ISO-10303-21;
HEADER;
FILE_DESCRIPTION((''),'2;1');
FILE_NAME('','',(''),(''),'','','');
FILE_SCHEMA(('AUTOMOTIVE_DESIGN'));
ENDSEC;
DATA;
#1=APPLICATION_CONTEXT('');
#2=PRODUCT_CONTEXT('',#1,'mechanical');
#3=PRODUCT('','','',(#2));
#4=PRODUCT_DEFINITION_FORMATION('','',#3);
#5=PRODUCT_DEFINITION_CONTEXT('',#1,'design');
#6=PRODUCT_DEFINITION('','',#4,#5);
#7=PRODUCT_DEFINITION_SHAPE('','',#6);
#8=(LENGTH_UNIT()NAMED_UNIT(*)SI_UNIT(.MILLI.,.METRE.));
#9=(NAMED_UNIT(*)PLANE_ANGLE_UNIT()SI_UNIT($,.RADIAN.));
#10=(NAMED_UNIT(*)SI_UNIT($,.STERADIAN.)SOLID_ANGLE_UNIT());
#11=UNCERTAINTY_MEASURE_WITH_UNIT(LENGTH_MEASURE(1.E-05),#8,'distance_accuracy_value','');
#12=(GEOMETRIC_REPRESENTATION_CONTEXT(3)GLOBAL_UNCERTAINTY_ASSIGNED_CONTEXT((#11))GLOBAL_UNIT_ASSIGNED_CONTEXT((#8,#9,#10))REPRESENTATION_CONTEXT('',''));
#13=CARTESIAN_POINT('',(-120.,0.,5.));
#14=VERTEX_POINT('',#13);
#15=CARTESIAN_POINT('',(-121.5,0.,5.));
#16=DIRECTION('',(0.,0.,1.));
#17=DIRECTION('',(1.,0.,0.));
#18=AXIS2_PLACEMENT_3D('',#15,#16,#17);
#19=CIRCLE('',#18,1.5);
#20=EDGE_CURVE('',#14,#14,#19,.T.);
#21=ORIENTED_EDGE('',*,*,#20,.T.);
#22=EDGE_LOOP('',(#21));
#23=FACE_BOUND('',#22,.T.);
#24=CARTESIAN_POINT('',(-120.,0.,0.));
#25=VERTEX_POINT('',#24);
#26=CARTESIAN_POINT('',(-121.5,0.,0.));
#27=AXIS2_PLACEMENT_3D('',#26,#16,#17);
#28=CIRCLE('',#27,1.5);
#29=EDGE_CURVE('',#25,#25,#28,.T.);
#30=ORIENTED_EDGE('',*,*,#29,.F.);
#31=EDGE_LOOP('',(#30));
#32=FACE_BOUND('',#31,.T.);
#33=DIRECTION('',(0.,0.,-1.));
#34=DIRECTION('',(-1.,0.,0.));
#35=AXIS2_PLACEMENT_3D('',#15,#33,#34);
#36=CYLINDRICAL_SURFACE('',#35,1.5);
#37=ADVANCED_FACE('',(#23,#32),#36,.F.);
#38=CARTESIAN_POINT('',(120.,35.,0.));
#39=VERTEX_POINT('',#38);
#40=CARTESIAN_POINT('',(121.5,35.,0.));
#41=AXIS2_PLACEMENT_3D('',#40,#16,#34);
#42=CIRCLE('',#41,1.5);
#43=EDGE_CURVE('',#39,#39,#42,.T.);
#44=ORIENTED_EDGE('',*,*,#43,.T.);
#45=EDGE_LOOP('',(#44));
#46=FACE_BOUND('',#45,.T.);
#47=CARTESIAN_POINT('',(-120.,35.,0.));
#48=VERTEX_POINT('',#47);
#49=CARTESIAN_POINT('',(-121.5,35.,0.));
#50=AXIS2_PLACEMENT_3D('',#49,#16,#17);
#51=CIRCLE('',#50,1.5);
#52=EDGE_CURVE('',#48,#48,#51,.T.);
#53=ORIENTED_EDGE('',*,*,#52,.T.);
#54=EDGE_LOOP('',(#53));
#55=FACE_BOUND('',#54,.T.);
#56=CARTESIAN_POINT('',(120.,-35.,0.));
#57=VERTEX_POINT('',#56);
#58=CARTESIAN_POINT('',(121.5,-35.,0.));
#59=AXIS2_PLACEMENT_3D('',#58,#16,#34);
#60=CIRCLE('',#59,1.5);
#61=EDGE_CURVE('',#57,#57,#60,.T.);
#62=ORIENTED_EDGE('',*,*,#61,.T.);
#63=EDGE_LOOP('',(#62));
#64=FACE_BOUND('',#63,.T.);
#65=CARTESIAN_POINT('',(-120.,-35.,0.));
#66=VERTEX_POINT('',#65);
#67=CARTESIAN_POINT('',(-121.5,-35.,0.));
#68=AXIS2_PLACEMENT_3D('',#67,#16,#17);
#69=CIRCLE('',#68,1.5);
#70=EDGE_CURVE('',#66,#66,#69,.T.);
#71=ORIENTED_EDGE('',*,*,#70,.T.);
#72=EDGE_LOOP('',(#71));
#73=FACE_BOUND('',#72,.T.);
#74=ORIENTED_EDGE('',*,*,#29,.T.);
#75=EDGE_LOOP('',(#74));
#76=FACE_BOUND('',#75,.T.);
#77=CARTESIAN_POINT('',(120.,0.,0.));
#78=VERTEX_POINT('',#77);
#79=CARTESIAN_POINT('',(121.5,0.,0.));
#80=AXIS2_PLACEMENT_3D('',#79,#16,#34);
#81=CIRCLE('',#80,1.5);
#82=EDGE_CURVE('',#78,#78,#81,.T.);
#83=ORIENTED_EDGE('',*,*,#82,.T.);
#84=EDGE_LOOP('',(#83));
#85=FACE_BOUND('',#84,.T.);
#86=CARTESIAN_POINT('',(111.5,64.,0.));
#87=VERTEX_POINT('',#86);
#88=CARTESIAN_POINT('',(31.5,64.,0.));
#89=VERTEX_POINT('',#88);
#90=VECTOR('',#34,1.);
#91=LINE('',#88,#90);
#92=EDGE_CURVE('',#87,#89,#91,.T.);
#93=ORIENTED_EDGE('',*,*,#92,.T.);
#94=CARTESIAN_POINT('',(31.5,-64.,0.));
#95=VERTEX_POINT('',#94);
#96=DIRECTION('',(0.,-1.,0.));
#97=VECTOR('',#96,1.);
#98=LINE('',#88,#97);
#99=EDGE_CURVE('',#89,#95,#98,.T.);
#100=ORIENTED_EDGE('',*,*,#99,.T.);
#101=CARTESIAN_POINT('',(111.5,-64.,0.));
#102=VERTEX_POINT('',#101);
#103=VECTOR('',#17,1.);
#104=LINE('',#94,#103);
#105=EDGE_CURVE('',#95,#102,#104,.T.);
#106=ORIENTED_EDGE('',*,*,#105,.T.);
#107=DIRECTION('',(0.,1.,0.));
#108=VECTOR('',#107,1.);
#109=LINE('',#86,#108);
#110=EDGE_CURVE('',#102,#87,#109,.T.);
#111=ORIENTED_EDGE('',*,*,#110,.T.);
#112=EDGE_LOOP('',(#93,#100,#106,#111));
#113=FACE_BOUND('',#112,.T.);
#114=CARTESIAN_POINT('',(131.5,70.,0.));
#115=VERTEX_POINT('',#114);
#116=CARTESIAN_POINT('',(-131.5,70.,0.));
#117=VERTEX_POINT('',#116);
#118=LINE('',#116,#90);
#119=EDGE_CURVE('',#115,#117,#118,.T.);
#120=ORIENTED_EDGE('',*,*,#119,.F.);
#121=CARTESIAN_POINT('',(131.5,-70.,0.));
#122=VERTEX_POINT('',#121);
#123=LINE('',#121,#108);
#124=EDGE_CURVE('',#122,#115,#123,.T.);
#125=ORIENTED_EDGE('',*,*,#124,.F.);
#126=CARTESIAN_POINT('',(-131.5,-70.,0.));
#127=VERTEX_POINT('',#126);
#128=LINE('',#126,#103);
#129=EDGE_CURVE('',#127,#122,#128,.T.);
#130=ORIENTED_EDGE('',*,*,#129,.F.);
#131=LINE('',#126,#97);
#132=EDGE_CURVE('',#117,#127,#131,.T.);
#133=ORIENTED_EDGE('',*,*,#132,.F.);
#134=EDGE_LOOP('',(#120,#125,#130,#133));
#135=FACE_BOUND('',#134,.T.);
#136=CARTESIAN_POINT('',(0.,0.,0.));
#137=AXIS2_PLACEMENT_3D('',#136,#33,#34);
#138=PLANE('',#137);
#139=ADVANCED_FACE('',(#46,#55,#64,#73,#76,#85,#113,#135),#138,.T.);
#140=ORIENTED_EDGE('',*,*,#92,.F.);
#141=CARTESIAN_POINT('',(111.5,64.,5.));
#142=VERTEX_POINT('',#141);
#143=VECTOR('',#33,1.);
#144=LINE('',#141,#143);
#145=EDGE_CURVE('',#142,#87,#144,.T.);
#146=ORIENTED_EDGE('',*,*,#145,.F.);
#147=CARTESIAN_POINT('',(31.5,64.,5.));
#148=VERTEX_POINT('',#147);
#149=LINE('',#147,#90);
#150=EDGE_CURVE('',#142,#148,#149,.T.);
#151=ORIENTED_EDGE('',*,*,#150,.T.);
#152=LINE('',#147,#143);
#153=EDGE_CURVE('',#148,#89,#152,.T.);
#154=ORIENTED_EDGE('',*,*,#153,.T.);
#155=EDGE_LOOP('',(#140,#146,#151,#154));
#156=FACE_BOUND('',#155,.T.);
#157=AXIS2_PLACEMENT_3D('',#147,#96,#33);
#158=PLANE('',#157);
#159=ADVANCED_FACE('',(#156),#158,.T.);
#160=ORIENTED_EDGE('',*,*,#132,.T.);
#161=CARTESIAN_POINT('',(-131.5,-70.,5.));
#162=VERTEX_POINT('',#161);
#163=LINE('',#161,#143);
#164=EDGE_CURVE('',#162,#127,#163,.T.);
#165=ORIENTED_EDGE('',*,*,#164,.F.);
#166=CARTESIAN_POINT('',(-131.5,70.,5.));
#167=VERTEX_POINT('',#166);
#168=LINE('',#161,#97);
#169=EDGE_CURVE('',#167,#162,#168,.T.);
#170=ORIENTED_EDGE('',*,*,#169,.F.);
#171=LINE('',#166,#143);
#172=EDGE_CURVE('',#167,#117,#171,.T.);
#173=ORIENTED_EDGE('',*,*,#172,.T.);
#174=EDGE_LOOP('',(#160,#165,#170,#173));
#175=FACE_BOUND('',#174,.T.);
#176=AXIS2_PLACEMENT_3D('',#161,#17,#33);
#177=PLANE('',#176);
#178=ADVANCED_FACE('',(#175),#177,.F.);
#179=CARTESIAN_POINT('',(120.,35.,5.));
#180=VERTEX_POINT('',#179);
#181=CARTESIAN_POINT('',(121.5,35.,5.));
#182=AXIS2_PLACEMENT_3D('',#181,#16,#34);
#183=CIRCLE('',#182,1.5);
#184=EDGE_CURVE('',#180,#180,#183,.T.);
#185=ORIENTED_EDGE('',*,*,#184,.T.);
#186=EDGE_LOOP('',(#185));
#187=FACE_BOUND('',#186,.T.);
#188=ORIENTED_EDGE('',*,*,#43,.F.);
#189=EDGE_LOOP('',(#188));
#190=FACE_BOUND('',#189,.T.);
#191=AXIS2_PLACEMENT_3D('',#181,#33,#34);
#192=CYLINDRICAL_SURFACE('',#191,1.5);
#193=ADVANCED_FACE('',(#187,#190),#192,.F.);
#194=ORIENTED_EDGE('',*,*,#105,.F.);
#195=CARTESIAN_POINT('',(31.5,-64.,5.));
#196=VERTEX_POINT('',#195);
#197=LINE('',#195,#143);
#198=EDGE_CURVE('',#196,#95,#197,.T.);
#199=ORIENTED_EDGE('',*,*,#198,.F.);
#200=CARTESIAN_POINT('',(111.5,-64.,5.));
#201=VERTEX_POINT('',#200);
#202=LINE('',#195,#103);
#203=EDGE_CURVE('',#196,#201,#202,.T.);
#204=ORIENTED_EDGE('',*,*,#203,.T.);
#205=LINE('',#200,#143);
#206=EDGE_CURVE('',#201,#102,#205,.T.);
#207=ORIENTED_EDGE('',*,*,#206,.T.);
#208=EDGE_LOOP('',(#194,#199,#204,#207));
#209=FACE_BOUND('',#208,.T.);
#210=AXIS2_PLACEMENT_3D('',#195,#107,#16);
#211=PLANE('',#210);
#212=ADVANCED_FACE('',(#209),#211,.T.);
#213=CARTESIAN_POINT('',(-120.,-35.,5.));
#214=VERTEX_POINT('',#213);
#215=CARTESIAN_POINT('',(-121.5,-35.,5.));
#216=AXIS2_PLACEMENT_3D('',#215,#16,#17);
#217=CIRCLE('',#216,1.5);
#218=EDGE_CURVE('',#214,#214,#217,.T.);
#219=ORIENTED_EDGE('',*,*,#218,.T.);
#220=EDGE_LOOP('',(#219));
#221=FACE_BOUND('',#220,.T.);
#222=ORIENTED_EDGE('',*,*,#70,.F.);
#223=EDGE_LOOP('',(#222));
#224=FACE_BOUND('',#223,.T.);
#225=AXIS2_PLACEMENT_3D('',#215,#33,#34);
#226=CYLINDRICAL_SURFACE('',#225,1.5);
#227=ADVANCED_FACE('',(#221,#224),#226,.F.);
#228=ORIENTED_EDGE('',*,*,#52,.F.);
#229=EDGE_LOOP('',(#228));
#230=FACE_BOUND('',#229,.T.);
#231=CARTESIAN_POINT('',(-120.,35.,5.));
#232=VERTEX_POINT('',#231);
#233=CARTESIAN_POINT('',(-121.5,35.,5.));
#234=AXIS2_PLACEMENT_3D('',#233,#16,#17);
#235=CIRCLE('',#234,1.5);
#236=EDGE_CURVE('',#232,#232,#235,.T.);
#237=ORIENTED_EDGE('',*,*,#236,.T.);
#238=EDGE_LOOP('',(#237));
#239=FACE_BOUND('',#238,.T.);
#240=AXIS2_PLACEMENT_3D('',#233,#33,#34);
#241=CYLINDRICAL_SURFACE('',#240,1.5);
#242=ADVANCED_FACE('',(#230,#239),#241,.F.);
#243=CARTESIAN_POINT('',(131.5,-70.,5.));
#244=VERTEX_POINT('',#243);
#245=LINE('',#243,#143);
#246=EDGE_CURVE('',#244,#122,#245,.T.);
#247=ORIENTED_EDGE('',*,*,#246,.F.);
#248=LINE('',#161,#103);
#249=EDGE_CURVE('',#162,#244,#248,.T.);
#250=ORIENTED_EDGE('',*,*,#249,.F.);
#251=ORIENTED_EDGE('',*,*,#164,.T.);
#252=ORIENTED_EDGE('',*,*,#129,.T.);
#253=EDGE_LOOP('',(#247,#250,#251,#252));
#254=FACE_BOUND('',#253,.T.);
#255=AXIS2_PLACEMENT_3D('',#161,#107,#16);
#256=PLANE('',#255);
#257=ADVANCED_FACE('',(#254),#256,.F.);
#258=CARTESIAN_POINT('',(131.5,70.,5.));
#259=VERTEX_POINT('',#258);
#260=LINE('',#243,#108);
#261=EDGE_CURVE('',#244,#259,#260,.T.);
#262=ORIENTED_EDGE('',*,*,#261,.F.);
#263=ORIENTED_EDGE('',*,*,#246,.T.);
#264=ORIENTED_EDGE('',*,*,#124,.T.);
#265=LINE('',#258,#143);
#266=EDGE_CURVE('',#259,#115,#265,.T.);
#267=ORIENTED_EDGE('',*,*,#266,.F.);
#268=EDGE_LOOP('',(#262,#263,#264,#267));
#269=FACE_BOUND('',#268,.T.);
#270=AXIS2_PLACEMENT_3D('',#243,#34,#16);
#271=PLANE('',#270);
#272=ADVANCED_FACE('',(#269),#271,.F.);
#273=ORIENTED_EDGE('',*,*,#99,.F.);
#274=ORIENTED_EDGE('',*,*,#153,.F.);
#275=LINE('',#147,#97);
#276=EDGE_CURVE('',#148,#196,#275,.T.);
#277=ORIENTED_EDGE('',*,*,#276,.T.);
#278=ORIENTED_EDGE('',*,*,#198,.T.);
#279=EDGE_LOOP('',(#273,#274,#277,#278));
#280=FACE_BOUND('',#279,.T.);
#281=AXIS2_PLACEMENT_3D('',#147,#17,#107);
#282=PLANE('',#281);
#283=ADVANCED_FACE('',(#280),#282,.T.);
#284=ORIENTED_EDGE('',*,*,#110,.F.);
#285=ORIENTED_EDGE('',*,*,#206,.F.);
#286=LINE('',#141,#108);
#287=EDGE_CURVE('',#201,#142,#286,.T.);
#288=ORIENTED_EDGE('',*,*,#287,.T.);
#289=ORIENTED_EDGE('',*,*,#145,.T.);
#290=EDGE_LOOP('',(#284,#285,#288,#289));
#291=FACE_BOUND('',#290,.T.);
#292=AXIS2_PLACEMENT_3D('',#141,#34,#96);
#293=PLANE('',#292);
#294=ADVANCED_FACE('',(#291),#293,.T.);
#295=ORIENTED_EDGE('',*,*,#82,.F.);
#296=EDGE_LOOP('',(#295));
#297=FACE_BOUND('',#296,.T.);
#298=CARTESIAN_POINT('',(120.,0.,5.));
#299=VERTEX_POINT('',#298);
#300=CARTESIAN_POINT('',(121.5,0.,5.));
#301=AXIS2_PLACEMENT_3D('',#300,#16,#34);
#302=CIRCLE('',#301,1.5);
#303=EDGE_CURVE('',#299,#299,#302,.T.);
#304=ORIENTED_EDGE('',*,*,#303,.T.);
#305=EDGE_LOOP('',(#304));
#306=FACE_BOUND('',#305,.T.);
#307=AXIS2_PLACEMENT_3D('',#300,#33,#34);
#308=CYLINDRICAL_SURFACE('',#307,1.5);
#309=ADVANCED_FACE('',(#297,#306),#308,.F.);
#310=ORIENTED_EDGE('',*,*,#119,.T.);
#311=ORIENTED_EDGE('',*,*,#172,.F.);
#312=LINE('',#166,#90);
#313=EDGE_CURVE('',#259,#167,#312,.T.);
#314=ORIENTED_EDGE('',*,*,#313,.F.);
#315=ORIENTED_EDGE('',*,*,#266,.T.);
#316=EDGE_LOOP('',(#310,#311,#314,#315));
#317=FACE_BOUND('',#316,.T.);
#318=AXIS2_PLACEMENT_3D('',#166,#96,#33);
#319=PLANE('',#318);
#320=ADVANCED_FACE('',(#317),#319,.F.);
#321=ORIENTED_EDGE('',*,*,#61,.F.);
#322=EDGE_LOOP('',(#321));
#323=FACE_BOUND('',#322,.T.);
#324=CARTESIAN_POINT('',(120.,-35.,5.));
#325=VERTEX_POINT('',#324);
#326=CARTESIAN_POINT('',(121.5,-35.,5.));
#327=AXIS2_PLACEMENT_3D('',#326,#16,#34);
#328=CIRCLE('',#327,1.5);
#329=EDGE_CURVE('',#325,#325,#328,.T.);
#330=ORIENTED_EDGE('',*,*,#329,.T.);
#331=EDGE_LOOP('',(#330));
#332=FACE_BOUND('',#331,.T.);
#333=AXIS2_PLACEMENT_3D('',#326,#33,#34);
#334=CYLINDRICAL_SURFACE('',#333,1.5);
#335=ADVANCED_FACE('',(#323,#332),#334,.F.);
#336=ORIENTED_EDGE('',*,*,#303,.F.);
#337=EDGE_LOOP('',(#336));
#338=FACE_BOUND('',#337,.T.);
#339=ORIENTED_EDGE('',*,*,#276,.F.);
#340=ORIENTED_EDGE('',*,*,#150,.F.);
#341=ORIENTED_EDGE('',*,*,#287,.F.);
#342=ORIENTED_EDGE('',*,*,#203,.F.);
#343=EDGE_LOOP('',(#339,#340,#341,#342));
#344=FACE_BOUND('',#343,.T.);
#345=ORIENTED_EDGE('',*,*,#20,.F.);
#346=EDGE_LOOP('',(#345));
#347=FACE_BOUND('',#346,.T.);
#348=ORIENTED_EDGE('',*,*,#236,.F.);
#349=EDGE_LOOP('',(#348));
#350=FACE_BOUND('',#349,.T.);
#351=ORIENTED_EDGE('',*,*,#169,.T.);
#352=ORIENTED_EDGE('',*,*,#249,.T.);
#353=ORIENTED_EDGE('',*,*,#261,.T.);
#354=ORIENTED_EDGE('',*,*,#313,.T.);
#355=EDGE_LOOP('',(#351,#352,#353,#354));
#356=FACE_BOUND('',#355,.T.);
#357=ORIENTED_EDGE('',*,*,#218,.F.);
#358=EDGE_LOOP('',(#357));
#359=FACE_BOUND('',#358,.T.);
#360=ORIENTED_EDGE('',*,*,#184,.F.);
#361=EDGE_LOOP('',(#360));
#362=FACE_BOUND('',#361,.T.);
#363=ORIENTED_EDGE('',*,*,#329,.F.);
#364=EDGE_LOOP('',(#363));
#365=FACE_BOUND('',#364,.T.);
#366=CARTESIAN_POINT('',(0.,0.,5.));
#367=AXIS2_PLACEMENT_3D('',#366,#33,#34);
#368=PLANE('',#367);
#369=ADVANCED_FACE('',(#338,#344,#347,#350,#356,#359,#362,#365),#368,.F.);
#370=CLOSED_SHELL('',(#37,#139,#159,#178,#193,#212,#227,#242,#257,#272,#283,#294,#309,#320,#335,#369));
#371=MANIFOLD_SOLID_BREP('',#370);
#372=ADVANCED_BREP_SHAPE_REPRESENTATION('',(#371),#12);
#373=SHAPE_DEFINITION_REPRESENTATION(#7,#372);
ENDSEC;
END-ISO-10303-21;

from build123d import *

# Parameters (mm, degrees)
SKETCH_1_W      = 263
SKETCH_1_H      = 140
SKETCH_1_R      = 1.5
SKETCH_1_W_2    = 80
SKETCH_1_H_2    = 128
EXTRUDE_1_DEPTH = 5


with BuildPart() as part:
    # 草图1 → 凸台-拉伸1 (new body)
    with BuildSketch(Plane.XY):
        Rectangle(SKETCH_1_W, SKETCH_1_H)
        with Locations((-121.5, 35)):
            Circle(SKETCH_1_R, mode=Mode.SUBTRACT)
        with Locations((-121.5, 0)):
            Circle(SKETCH_1_R, mode=Mode.SUBTRACT)
        with Locations((-121.5, -35)):
            Circle(SKETCH_1_R, mode=Mode.SUBTRACT)
        with Locations(Location((121.5, -35, 0), (0, 0, 180))):
            Circle(SKETCH_1_R, mode=Mode.SUBTRACT)
        with Locations(Location((121.5, 0, 0), (0, 0, 180))):
            Circle(SKETCH_1_R, mode=Mode.SUBTRACT)
        with Locations(Location((121.5, 35, 0), (0, 0, 180))):
            Circle(SKETCH_1_R, mode=Mode.SUBTRACT)
        with Locations((71.5, 0)):
            Rectangle(SKETCH_1_W_2, SKETCH_1_H_2, mode=Mode.SUBTRACT)
    extrude(amount=EXTRUDE_1_DEPTH)


solid = part.part
